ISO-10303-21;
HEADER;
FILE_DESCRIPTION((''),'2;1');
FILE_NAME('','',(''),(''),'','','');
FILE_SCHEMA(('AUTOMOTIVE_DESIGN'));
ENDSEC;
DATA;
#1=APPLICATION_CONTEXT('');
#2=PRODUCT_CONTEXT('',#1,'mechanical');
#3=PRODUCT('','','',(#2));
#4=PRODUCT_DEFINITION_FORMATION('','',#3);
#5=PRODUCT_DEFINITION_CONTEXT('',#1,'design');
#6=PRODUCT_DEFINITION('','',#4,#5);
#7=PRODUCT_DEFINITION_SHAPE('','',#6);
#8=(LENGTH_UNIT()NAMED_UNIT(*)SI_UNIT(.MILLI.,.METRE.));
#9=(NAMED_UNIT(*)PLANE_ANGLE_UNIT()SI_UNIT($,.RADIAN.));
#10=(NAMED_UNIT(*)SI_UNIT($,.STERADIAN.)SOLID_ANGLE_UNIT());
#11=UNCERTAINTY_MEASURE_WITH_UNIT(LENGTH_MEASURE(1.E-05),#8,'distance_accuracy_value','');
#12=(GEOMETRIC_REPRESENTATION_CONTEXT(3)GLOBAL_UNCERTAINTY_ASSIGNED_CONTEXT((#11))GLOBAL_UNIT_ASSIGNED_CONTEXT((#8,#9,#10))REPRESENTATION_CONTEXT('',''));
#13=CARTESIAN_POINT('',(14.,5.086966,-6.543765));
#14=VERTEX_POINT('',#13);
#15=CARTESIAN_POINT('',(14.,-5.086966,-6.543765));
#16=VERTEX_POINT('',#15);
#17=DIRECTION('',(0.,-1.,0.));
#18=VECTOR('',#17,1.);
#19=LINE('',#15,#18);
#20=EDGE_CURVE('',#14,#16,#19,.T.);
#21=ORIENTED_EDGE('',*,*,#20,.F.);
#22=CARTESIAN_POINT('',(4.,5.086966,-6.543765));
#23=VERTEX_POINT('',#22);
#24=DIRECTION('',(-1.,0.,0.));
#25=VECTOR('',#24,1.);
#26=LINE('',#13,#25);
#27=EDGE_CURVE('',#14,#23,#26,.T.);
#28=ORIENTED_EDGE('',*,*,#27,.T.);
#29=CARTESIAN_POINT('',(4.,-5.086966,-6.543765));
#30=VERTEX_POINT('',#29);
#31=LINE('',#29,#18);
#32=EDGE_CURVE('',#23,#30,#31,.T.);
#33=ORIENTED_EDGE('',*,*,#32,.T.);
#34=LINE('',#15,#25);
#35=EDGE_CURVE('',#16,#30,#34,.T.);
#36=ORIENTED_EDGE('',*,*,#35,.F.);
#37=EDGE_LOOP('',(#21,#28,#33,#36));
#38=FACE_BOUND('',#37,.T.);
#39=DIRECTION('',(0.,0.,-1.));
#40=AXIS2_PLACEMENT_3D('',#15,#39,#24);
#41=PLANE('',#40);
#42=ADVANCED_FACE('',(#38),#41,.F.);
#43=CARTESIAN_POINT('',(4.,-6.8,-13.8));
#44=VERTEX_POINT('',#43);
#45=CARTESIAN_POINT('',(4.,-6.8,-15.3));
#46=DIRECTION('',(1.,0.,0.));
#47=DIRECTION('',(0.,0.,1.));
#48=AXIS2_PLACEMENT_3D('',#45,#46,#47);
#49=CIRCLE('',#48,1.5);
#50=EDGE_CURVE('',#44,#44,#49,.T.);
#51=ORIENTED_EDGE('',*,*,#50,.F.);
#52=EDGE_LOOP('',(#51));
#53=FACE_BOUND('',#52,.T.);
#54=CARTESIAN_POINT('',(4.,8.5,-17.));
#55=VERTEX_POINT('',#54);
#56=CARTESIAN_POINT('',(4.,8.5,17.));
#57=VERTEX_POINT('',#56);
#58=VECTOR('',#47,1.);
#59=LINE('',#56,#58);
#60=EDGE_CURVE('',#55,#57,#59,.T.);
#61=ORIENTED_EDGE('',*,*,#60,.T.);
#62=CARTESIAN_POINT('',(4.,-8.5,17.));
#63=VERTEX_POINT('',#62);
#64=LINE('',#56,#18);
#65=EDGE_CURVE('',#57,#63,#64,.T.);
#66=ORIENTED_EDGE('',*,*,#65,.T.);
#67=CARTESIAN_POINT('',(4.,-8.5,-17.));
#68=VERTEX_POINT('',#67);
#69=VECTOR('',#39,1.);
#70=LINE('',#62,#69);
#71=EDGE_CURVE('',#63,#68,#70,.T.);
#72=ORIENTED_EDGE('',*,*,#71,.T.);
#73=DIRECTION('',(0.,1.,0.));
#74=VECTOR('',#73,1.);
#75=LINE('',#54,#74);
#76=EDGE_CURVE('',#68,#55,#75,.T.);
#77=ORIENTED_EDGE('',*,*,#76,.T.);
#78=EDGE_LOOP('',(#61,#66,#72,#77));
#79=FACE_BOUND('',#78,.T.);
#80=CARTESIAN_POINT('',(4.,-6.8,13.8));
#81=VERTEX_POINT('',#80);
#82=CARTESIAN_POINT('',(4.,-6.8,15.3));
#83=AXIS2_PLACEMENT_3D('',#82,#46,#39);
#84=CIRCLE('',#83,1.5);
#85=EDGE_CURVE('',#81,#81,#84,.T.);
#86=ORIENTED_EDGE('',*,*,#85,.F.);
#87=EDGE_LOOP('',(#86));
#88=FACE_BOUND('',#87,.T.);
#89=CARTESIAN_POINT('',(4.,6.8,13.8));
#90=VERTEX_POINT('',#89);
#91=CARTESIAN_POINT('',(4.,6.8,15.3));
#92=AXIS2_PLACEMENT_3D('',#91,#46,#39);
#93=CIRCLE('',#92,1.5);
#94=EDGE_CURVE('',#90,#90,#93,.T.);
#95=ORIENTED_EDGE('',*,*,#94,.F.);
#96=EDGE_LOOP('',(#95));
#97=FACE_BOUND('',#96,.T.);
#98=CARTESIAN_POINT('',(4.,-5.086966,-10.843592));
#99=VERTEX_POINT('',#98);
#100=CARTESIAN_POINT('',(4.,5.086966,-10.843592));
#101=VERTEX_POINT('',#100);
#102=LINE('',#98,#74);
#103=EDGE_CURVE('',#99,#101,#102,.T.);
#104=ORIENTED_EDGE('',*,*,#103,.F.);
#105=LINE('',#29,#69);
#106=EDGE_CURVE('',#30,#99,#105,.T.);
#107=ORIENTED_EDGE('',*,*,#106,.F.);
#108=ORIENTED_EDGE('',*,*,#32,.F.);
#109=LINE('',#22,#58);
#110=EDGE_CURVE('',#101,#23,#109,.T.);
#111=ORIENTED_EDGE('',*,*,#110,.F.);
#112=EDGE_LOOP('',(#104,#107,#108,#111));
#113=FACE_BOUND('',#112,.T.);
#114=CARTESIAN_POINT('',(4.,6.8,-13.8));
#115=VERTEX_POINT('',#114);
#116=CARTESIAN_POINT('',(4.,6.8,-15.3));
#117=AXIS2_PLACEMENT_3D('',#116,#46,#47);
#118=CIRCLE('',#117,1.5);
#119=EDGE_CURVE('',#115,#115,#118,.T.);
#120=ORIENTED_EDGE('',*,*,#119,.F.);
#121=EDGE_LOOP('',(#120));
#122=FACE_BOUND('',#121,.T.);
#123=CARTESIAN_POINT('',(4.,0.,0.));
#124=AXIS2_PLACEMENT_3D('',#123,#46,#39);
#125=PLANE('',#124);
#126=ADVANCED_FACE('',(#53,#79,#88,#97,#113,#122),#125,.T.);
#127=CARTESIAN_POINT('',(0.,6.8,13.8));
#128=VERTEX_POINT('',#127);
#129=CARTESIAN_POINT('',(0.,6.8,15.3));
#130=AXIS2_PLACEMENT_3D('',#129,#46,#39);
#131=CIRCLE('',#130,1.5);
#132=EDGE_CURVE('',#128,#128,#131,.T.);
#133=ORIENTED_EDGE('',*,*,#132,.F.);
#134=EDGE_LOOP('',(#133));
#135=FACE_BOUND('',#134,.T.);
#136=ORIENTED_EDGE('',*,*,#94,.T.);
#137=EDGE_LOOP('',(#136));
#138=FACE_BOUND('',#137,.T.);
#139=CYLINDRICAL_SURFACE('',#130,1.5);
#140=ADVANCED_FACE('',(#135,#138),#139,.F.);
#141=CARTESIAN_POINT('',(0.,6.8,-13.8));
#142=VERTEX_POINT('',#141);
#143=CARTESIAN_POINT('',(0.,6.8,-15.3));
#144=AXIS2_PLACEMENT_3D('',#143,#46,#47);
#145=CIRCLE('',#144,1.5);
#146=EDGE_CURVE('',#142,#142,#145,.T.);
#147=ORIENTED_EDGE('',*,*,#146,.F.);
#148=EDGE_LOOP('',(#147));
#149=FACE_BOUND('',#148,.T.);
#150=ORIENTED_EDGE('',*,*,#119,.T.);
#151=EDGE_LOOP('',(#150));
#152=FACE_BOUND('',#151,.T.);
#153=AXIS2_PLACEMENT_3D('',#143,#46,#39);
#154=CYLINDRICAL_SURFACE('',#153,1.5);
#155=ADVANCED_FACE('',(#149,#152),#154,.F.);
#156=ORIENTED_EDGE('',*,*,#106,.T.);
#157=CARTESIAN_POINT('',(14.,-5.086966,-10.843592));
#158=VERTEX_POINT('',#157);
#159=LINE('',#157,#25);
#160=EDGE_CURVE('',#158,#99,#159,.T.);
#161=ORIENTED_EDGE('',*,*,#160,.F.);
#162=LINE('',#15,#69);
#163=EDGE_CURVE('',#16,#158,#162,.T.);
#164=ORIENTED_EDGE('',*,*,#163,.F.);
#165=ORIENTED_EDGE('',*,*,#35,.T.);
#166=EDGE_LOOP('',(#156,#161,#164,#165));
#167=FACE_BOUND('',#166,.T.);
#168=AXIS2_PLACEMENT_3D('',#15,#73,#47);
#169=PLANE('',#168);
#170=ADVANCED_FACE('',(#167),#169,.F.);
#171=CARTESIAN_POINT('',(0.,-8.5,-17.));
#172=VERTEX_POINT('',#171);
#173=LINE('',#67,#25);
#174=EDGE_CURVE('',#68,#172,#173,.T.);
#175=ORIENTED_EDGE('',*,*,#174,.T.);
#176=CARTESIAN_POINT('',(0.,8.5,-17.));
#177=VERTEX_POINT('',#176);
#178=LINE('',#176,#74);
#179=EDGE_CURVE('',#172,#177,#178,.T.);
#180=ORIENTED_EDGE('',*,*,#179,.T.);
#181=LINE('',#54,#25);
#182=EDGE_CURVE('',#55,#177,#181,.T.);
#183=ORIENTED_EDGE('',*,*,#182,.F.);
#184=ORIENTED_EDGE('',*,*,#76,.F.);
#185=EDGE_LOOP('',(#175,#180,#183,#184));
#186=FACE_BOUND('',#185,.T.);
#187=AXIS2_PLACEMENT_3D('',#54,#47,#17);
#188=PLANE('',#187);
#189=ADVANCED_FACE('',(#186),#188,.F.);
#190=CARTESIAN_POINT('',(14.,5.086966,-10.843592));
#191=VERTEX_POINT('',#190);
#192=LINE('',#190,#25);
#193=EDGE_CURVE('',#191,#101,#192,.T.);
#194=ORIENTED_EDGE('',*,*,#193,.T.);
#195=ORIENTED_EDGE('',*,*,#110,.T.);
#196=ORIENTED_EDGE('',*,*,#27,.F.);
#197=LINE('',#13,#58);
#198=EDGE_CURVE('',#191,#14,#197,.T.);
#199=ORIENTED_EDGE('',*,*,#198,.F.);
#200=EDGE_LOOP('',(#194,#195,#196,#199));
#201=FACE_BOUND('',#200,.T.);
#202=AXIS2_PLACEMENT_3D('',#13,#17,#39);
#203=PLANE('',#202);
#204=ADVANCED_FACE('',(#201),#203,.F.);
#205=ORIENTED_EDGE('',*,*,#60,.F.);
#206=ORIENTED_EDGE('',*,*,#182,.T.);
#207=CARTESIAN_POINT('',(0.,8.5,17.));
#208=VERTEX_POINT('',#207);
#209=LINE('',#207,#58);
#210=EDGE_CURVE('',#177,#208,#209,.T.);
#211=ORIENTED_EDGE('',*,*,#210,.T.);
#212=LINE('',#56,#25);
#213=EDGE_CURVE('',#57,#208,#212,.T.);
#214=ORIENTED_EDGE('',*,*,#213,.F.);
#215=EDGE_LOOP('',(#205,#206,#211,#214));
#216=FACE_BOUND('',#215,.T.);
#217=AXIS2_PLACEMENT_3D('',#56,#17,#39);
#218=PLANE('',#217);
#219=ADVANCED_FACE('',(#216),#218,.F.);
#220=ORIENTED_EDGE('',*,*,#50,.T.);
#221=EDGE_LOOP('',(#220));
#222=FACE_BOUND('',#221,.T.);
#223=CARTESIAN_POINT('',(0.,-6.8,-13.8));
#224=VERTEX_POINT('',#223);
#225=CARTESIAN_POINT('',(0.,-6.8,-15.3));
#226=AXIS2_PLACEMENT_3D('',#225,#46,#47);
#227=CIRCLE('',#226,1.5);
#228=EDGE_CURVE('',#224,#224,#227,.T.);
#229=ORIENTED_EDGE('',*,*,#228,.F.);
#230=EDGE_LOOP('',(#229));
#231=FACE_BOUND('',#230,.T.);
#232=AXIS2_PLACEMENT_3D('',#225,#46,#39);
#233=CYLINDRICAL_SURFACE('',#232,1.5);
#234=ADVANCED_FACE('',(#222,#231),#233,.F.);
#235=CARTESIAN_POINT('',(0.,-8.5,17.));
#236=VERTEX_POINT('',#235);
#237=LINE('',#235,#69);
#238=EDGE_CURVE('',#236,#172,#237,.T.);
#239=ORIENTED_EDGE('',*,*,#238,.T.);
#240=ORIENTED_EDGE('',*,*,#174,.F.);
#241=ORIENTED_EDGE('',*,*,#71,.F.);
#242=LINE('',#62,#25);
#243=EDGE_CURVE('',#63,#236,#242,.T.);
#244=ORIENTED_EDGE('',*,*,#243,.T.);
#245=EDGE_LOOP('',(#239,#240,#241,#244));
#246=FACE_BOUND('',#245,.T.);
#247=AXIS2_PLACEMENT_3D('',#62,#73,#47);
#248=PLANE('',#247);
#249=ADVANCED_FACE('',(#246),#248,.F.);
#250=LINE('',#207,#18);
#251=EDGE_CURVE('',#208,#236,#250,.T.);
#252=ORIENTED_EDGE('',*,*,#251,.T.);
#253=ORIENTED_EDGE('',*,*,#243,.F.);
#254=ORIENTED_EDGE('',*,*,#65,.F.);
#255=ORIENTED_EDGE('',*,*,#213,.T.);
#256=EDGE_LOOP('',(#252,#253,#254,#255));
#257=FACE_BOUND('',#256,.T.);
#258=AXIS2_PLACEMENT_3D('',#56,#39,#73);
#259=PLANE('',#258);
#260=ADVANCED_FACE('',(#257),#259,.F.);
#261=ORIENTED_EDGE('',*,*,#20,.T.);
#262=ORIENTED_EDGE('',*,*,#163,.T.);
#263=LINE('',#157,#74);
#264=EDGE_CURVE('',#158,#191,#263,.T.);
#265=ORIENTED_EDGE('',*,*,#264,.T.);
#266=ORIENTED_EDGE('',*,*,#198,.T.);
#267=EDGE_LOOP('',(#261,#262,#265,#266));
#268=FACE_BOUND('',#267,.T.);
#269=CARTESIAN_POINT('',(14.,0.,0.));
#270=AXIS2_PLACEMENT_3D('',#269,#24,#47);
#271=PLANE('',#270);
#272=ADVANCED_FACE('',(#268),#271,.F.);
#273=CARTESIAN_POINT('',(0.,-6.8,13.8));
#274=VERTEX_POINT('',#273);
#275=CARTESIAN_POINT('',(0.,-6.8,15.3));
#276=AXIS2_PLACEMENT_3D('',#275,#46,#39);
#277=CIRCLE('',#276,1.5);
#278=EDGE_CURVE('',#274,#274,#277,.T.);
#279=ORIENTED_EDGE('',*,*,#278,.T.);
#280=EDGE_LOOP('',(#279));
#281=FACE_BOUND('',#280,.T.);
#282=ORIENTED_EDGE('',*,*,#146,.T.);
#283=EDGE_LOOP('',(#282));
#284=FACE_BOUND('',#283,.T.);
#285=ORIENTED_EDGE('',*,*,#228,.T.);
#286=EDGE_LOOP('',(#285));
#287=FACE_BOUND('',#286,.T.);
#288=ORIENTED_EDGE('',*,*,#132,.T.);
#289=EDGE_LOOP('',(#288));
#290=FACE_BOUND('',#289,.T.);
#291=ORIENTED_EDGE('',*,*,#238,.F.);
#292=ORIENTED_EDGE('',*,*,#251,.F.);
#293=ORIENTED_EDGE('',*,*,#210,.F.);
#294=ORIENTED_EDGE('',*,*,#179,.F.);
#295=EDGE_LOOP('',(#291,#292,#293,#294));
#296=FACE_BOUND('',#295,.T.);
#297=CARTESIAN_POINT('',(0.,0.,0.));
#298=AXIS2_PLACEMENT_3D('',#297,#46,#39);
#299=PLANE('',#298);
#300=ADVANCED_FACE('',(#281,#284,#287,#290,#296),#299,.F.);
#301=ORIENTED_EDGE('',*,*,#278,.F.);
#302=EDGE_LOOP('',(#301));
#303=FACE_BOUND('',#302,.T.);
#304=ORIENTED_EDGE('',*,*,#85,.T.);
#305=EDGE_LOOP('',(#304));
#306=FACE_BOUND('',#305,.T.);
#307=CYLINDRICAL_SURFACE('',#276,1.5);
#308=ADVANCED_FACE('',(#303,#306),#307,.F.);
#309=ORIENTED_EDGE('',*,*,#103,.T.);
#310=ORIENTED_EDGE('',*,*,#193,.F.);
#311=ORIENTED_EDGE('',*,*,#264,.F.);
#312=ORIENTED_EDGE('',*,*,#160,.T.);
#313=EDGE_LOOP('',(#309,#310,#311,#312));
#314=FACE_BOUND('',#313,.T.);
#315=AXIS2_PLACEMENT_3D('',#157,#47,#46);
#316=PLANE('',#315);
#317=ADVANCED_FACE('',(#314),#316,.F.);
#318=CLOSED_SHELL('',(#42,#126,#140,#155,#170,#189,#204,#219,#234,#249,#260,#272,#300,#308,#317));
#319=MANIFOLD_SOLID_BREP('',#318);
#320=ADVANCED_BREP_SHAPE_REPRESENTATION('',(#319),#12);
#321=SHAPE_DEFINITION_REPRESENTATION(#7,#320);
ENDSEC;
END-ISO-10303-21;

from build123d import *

# Parameters (mm, degrees)
SKETCH1_W           = 34
SKETCH1_H           = 17
BOSS_EXTRUDE1_DEPTH = 4
SKETCH2_R           = 1.5
CUT_EXTRUDE1_DEPTH  = 20.4229246
SKETCH3_W           = 4.299826773
SKETCH3_H           = 10.17393153
BOSS_EXTRUDE2_DEPTH = 10


with BuildPart() as part:
    # Sketch1 → Boss-Extrude1 (new body)
    with BuildSketch(Plane(origin=(0, 0, 0), x_dir=(0, 0, -1), z_dir=(1, 0, 0))):
        Rectangle(SKETCH1_W, SKETCH1_H)
    extrude(amount=BOSS_EXTRUDE1_DEPTH)

    # Sketch2 → Cut-Extrude1 (cut, through all)
    with BuildSketch(Plane(origin=(4, 0, 0), x_dir=(0, 0, -1), z_dir=(1, 0, 0))):
        with Locations((-15.3, 6.8)):
            Circle(SKETCH2_R)
        with Locations((-15.3, -6.8)):
            Circle(SKETCH2_R)
        with Locations(Location((15.3, -6.8, 0), (0, 0, 180))):
            Circle(SKETCH2_R)
        with Locations(Location((15.3, 6.8, 0), (0, 0, 180))):
            Circle(SKETCH2_R)
    extrude(amount=-CUT_EXTRUDE1_DEPTH, mode=Mode.SUBTRACT)

    # Sketch3 → Boss-Extrude2 (add)
    with BuildSketch(Plane(origin=(4, 0, 0), x_dir=(0, 0, -1), z_dir=(1, 0, 0))):
        with Locations((8.693678476, 0)):
            Rectangle(SKETCH3_W, SKETCH3_H)
    extrude(amount=BOSS_EXTRUDE2_DEPTH)


solid = part.part
